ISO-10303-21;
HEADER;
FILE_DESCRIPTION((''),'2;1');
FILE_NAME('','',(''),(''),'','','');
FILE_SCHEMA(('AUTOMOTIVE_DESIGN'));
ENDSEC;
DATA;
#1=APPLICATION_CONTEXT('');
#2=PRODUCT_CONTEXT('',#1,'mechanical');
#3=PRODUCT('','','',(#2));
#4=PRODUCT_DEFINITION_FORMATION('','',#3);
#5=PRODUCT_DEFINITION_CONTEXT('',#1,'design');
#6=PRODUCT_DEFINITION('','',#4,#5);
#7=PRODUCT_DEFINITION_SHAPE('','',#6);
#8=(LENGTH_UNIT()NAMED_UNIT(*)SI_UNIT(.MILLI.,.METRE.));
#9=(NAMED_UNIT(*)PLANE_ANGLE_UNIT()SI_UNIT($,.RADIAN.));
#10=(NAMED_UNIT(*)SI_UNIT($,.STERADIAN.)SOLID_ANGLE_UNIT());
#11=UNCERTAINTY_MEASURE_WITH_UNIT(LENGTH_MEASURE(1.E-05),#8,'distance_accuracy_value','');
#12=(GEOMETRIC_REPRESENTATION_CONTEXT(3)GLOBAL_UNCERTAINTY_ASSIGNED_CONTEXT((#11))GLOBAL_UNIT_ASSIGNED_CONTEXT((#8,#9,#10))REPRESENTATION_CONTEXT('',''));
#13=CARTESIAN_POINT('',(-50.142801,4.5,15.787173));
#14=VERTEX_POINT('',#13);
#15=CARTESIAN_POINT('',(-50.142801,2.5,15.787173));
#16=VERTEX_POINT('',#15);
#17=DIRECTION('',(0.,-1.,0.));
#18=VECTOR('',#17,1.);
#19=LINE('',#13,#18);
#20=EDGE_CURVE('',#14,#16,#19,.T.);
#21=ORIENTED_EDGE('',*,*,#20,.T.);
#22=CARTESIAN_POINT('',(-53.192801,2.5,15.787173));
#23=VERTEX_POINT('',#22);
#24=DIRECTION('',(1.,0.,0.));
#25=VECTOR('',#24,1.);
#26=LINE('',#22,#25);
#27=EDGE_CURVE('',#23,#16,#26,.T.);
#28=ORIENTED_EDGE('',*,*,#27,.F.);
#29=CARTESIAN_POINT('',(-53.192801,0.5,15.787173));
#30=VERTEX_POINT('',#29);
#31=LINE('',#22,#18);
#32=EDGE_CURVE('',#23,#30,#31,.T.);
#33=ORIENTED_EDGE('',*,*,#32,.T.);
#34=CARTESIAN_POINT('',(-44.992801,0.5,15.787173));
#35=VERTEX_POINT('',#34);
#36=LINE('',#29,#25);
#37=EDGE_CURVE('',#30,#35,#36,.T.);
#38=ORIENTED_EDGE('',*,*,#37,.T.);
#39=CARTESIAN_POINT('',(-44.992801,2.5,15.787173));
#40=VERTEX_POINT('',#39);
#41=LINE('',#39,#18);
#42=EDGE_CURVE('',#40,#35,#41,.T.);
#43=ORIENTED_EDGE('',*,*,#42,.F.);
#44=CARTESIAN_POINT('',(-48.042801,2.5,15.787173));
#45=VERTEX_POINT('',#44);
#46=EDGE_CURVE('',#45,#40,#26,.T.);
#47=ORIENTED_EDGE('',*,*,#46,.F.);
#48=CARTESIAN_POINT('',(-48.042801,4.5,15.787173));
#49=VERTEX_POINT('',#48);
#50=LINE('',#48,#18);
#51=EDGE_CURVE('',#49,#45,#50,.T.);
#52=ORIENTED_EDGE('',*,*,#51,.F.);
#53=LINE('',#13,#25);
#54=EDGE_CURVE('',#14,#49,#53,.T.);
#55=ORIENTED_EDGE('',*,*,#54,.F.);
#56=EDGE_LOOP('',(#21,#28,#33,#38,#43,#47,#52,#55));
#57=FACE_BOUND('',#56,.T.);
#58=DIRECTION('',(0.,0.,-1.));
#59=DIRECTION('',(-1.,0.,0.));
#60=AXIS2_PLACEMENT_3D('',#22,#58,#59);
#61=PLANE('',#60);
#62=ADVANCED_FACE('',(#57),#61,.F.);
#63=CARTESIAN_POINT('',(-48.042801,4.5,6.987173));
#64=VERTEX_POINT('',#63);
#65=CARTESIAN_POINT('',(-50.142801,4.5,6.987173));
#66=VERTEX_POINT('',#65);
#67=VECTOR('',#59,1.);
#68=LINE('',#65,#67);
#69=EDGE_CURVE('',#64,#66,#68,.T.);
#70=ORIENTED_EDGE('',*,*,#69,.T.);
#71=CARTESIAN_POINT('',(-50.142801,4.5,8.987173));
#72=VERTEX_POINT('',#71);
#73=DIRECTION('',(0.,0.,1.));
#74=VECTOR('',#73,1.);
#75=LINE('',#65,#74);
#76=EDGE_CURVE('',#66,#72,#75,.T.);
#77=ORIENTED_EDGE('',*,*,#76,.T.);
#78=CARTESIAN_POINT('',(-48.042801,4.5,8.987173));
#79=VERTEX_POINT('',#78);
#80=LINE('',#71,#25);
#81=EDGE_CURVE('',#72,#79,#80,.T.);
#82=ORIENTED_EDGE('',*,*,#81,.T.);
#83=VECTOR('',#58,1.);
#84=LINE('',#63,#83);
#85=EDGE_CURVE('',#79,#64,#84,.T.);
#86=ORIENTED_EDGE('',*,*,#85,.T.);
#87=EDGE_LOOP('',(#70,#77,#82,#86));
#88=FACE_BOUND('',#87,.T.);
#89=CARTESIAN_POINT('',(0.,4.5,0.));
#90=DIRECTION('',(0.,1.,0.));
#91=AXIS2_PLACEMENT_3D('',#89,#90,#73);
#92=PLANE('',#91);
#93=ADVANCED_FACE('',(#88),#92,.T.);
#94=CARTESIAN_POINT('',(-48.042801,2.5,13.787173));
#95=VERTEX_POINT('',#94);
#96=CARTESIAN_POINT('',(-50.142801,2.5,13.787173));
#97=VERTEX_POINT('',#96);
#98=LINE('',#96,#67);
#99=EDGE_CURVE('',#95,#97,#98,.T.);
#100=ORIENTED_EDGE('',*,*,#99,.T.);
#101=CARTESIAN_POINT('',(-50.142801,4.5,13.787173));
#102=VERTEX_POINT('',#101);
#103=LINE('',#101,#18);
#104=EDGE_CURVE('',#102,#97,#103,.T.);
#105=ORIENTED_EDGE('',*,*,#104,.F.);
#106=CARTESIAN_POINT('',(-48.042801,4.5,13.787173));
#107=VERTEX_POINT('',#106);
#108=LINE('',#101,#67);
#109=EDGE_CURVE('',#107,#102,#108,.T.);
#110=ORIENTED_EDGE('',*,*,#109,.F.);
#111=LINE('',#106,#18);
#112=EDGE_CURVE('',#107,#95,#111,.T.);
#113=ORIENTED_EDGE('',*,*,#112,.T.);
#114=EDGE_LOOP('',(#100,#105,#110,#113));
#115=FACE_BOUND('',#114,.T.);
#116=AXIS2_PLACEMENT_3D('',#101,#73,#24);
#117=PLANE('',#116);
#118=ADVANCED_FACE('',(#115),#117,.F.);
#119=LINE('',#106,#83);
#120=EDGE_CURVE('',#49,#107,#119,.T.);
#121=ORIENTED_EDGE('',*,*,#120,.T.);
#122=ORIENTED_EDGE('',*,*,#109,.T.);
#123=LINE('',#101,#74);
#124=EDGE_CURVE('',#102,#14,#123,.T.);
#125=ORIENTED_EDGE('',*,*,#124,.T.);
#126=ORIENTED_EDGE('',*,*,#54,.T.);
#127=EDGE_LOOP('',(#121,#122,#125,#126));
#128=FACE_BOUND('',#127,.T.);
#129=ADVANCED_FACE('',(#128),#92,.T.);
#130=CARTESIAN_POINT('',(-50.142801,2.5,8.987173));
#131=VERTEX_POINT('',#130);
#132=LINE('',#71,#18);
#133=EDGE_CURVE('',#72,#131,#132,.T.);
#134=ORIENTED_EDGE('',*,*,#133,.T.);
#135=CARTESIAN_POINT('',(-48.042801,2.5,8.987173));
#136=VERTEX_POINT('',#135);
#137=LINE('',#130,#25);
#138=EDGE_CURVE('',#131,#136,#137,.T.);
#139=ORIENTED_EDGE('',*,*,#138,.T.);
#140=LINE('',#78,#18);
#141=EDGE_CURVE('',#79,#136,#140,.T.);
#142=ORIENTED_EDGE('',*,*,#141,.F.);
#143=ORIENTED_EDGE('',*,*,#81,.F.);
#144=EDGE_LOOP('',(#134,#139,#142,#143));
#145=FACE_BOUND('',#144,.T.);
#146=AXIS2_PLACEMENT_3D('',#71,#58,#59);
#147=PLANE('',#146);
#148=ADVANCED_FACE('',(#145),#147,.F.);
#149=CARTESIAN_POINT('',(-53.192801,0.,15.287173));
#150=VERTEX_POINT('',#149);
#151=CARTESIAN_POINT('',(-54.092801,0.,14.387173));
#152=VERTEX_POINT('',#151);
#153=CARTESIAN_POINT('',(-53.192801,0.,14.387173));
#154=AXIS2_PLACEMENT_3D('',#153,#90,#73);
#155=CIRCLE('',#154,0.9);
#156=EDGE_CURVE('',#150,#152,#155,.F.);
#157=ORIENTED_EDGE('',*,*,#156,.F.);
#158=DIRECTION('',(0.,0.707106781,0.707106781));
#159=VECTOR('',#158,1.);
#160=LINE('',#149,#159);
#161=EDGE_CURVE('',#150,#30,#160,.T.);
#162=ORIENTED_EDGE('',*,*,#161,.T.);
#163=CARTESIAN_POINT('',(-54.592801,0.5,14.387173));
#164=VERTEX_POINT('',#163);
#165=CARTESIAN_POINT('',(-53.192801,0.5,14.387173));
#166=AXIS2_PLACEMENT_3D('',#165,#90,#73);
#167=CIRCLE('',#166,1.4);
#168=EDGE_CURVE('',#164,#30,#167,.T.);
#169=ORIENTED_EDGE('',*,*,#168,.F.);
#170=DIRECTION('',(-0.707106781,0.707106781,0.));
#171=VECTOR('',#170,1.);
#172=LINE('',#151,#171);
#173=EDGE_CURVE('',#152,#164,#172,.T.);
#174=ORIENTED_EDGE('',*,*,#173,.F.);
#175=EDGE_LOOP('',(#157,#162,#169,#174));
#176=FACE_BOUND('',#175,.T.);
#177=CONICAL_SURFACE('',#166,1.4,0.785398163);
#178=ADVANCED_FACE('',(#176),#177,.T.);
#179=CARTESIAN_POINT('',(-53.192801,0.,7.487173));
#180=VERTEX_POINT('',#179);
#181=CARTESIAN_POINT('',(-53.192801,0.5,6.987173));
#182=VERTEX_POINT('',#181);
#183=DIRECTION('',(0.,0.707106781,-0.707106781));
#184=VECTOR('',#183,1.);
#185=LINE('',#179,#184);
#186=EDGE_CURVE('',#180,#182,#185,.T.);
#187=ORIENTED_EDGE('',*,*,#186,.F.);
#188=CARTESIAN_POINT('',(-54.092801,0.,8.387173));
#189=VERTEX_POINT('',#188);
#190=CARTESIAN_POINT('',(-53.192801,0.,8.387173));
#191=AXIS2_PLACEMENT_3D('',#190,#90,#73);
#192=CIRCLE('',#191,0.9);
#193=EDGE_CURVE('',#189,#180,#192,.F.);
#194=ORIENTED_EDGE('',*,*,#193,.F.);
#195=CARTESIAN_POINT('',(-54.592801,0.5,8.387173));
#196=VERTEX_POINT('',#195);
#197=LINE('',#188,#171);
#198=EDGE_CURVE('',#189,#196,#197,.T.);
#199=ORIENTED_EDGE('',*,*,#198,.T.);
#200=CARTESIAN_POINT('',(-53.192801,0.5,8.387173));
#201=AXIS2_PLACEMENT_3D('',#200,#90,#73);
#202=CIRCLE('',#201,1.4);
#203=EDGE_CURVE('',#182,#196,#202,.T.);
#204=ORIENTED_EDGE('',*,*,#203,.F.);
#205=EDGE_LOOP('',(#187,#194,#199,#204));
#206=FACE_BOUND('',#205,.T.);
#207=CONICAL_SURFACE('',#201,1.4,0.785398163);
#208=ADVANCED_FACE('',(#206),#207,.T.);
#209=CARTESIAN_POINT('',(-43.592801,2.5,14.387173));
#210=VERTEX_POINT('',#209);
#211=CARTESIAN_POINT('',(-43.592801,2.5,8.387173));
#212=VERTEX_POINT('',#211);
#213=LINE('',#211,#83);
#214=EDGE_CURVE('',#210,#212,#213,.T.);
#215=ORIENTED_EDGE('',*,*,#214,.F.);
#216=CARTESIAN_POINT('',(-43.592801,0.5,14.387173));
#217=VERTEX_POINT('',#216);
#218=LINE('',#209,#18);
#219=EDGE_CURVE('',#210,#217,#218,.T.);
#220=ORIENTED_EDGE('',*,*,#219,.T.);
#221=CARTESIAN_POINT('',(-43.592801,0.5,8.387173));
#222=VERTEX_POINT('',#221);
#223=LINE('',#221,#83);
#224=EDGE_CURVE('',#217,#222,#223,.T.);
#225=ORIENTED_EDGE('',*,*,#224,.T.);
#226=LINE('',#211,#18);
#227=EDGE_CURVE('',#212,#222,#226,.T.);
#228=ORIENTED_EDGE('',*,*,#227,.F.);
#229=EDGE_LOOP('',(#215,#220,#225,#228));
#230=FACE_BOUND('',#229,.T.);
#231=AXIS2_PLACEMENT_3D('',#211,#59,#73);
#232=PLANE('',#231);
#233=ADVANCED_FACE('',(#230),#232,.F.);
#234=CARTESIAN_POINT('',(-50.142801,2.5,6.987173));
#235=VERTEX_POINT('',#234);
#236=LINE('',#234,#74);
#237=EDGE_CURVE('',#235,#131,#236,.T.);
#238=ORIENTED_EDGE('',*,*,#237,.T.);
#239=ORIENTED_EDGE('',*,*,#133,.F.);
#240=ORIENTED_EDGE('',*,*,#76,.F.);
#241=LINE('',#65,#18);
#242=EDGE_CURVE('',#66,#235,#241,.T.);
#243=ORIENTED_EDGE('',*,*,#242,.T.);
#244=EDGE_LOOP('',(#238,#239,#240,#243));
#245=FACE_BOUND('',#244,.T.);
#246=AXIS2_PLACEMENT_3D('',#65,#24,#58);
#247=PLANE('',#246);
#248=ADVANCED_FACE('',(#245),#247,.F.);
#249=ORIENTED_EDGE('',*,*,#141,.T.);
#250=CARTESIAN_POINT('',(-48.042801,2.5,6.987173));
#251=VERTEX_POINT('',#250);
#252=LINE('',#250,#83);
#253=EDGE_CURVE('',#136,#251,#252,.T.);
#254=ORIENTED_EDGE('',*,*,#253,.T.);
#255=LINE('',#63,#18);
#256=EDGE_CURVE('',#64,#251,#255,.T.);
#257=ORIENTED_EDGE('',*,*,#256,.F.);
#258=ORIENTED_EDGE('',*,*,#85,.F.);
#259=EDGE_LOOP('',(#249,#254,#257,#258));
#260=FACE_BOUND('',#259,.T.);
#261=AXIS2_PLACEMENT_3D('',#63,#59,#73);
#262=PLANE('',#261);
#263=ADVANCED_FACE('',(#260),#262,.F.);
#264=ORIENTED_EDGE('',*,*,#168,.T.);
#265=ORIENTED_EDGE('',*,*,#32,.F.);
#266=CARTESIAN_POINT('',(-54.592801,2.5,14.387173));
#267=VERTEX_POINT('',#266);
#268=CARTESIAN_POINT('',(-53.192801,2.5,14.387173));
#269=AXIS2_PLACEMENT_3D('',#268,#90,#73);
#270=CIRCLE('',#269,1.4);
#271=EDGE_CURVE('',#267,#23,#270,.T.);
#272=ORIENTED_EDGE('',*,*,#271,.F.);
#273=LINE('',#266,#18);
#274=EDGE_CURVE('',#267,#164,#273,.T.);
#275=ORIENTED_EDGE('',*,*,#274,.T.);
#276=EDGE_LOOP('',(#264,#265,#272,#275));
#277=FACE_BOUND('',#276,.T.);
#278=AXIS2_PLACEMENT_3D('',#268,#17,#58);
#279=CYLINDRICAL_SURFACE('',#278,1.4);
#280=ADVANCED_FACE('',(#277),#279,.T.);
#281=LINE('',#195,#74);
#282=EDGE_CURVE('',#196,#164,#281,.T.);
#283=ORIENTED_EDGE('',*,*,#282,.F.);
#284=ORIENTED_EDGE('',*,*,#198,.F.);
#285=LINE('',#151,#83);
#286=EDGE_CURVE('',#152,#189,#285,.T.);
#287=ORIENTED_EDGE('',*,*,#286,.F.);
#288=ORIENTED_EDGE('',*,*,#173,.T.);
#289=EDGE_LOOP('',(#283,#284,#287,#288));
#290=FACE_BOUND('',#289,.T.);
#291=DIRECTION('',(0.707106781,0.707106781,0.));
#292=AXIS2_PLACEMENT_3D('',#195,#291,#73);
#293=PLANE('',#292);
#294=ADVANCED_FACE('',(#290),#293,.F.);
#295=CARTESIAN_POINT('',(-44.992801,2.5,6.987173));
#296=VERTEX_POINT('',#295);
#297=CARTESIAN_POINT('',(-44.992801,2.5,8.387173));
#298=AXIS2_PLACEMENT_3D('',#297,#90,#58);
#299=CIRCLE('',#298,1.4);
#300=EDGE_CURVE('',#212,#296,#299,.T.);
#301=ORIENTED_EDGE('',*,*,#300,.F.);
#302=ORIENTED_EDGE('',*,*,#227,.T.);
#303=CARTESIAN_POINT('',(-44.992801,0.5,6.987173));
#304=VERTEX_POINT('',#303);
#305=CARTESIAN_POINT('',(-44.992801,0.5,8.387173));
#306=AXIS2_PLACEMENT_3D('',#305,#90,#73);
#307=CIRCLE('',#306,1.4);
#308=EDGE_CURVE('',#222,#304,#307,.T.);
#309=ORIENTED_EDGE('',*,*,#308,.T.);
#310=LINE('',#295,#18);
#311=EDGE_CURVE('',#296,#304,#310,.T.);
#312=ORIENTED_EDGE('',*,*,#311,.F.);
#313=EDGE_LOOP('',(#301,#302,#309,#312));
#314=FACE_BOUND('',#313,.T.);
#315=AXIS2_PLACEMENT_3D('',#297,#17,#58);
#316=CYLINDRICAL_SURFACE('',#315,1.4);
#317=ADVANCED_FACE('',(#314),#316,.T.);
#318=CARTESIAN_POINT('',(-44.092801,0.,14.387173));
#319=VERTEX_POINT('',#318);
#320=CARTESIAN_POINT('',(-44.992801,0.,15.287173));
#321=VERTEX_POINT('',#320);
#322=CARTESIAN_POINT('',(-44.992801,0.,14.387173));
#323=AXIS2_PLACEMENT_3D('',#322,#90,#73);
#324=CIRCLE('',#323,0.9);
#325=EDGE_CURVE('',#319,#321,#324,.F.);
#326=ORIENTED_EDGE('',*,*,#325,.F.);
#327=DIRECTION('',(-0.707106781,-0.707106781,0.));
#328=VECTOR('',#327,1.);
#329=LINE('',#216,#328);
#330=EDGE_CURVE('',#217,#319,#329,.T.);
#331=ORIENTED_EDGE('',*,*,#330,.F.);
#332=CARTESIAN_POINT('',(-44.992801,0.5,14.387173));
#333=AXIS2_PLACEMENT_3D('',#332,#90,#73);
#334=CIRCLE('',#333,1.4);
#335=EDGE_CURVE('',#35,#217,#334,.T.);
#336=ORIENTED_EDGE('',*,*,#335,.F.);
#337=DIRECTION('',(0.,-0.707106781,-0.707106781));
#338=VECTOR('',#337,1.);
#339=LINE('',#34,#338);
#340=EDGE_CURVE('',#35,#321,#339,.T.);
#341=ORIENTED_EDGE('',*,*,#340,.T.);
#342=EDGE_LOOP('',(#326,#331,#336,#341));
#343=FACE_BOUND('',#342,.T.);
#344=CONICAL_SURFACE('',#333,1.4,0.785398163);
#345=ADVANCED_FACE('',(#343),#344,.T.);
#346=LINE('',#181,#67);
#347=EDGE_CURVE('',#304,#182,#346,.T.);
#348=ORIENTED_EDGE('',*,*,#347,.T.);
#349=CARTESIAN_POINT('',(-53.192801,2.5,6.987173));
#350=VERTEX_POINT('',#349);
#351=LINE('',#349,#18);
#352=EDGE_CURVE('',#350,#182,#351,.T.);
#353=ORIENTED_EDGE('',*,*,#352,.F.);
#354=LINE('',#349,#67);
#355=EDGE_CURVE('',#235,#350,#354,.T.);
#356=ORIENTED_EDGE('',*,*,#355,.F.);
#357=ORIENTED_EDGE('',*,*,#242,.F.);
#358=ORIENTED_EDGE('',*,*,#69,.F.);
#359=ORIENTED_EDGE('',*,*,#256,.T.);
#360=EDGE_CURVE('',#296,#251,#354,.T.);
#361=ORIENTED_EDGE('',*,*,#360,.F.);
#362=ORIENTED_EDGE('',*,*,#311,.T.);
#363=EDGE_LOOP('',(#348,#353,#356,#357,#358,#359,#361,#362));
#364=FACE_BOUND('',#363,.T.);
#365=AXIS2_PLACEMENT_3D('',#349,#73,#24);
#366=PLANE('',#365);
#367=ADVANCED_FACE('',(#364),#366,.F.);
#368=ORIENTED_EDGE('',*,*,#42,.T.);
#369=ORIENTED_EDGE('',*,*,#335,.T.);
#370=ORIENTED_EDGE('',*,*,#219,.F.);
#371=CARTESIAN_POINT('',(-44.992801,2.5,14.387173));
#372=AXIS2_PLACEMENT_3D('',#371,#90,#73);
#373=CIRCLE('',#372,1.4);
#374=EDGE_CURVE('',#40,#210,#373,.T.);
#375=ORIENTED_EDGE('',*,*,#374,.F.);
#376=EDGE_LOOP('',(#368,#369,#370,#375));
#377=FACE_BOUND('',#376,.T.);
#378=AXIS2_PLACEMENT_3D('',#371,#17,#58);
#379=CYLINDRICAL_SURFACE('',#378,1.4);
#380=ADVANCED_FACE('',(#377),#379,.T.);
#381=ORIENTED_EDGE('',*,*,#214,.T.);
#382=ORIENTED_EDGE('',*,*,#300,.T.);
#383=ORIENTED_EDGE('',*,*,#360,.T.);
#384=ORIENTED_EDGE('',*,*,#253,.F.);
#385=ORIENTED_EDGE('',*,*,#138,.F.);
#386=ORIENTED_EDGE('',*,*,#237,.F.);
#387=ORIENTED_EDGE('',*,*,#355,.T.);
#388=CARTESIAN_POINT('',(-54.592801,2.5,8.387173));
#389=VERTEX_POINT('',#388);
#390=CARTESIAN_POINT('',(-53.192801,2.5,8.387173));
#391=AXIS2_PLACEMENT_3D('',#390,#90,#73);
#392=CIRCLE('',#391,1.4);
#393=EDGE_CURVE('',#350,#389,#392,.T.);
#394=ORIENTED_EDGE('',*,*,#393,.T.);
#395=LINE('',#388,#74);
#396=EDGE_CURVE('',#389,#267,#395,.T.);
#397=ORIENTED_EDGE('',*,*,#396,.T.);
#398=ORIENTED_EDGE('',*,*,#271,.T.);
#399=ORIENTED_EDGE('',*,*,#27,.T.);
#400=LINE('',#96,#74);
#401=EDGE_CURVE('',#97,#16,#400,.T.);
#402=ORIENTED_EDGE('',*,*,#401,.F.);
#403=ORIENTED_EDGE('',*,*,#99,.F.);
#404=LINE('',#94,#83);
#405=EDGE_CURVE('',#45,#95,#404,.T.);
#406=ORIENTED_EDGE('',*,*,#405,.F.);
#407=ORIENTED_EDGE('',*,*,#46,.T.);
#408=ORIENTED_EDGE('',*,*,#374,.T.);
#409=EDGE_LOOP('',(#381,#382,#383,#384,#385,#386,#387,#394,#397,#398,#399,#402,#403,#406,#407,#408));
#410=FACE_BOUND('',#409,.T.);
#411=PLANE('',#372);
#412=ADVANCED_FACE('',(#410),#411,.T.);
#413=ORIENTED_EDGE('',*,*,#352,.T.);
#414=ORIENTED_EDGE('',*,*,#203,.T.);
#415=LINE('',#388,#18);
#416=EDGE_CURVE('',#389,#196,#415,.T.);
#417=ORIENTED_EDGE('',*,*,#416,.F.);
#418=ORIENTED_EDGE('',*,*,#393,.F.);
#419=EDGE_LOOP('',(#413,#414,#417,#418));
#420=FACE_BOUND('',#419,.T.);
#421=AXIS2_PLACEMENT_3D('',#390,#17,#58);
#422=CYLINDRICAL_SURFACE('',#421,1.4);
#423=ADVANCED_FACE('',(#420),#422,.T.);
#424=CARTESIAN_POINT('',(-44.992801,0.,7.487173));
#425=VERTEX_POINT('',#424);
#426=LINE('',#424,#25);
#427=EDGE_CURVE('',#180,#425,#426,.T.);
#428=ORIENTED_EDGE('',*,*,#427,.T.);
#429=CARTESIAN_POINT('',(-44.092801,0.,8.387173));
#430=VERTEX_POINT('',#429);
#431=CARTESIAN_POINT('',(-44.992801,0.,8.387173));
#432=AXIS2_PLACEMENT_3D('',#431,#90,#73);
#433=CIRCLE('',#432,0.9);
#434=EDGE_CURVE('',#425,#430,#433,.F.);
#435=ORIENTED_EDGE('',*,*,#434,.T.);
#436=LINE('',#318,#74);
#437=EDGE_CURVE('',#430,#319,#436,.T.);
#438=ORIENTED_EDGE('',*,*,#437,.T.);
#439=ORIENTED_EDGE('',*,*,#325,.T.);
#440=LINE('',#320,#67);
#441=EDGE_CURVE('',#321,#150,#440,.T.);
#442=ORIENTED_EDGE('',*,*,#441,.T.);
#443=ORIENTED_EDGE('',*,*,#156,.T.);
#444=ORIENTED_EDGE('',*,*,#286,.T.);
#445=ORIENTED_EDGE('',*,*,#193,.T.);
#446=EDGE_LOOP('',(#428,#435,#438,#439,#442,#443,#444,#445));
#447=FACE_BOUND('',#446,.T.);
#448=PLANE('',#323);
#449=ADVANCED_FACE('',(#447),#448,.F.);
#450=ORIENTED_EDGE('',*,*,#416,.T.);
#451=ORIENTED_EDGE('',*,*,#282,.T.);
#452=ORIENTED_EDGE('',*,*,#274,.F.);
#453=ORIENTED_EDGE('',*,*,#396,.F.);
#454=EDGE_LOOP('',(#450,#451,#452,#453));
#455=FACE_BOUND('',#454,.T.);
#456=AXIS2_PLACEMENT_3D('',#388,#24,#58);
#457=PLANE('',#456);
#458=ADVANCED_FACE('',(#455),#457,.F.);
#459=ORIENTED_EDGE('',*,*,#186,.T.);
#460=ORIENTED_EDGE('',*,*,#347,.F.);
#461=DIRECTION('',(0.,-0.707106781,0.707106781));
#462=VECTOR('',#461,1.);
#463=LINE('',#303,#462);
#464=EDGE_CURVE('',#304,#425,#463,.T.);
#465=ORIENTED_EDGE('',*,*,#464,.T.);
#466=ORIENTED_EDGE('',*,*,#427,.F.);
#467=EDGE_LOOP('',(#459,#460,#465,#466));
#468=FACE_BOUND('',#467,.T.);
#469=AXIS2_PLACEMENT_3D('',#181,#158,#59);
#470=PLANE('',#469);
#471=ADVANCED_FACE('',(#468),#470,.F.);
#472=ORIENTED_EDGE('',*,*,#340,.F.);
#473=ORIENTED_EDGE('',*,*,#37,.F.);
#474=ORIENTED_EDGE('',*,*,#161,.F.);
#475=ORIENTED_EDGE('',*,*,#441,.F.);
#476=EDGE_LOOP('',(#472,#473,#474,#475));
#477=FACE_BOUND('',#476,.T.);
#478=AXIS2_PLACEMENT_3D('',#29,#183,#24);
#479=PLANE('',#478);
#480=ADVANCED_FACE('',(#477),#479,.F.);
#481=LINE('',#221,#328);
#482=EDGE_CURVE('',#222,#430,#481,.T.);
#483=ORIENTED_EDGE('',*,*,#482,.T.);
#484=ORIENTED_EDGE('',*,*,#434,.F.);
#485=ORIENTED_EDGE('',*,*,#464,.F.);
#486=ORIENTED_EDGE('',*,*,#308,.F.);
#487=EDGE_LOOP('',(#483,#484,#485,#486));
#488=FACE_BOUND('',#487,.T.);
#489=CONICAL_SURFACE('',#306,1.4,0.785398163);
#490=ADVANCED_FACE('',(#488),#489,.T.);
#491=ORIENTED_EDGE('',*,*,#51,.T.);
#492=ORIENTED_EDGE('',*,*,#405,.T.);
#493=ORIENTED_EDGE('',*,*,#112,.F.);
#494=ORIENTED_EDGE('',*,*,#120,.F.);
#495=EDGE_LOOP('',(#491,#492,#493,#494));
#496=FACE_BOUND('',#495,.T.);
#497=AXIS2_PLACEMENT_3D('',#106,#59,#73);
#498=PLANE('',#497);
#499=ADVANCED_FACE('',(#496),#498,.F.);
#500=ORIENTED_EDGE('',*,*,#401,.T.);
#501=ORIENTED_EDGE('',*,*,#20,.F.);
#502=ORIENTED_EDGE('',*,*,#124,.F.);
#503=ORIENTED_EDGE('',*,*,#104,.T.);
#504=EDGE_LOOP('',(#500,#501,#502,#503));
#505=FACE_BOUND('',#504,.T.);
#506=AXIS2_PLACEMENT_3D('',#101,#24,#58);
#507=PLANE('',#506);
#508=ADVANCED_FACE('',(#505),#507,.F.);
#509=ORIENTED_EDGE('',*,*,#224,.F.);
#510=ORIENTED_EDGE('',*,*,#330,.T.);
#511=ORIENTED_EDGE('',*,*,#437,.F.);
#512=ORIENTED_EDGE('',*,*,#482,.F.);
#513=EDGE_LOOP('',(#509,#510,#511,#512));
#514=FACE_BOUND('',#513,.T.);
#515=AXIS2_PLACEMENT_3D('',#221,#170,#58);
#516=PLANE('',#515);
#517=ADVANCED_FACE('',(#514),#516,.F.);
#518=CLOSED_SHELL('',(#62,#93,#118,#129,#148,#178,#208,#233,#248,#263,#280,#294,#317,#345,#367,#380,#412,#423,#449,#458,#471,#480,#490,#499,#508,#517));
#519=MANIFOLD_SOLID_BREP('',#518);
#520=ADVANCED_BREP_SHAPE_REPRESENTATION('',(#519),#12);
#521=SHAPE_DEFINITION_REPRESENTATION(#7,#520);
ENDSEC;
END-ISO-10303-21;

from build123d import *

# Parameters (mm, degrees)
EXTRUDE_1_DEPTH = 2.5
CHAMFER_1_SIZE  = 0.5
SKETCH_2_W      = 2.1
SKETCH_2_H      = 2
EXTRUDE_2_DEPTH = 2


with BuildPart() as part:
    # 草图1 → 凸台-拉伸1 (new body)
    with BuildSketch(Plane(origin=(0, 0, 0), x_dir=(1, 0, 0), z_dir=(0, 1, 0))):
        with BuildLine():
            Line((-53.192801429, -6.98717318), (-44.992801429, -6.98717318))
            ThreePointArc((-44.992801429, -6.98717318), (-44.002851935, -7.397223687), (-43.592801429, -8.38717318))
            Line((-43.592801429, -8.38717318), (-43.592801429, -14.38717318))
            ThreePointArc((-43.592801429, -14.38717318), (-44.002851935, -15.377122674), (-44.992801429, -15.78717318))
            Line((-44.992801429, -15.78717318), (-53.192801429, -15.78717318))
            ThreePointArc((-53.192801429, -15.78717318), (-54.182750923, -15.377122674), (-54.592801429, -14.38717318))
            Line((-54.592801429, -14.38717318), (-54.592801429, -8.38717318))
            ThreePointArc((-54.592801429, -8.38717318), (-54.182750923, -7.397223687), (-53.192801429, -6.98717318))
        make_face()
    extrude(amount=EXTRUDE_1_DEPTH)

    # 倒角1
    chamfer_1_edges = [part.edges().sort_by_distance(p)[0] for p in [
        (-49.092801429, 0, 6.98717318),
        (-44.002851935, 0, 7.397223687),
        (-43.592801429, 0, 11.38717318),
        (-44.002851935, 0, 15.377122674),
        (-49.092801429, 0, 15.78717318),
        (-54.182750923, 0, 15.377122674),
        (-54.592801429, 0, 11.38717318),
        (-54.182750923, 0, 7.397223687),
    ]]
    chamfer(chamfer_1_edges, length=CHAMFER_1_SIZE)

    # 草图2 → 凸台-拉伸2 (add)
    with BuildSketch(Plane(origin=(0, 2.5, 0), x_dir=(1, 0, 0), z_dir=(0, 1, 0))):
        with Locations((-49.092801429, -7.98717318)):
            Rectangle(SKETCH_2_W, SKETCH_2_H)
        with Locations((-49.092801429, -14.78717318)):
            Rectangle(SKETCH_2_W, SKETCH_2_H)
    extrude(amount=EXTRUDE_2_DEPTH)


solid = part.part
